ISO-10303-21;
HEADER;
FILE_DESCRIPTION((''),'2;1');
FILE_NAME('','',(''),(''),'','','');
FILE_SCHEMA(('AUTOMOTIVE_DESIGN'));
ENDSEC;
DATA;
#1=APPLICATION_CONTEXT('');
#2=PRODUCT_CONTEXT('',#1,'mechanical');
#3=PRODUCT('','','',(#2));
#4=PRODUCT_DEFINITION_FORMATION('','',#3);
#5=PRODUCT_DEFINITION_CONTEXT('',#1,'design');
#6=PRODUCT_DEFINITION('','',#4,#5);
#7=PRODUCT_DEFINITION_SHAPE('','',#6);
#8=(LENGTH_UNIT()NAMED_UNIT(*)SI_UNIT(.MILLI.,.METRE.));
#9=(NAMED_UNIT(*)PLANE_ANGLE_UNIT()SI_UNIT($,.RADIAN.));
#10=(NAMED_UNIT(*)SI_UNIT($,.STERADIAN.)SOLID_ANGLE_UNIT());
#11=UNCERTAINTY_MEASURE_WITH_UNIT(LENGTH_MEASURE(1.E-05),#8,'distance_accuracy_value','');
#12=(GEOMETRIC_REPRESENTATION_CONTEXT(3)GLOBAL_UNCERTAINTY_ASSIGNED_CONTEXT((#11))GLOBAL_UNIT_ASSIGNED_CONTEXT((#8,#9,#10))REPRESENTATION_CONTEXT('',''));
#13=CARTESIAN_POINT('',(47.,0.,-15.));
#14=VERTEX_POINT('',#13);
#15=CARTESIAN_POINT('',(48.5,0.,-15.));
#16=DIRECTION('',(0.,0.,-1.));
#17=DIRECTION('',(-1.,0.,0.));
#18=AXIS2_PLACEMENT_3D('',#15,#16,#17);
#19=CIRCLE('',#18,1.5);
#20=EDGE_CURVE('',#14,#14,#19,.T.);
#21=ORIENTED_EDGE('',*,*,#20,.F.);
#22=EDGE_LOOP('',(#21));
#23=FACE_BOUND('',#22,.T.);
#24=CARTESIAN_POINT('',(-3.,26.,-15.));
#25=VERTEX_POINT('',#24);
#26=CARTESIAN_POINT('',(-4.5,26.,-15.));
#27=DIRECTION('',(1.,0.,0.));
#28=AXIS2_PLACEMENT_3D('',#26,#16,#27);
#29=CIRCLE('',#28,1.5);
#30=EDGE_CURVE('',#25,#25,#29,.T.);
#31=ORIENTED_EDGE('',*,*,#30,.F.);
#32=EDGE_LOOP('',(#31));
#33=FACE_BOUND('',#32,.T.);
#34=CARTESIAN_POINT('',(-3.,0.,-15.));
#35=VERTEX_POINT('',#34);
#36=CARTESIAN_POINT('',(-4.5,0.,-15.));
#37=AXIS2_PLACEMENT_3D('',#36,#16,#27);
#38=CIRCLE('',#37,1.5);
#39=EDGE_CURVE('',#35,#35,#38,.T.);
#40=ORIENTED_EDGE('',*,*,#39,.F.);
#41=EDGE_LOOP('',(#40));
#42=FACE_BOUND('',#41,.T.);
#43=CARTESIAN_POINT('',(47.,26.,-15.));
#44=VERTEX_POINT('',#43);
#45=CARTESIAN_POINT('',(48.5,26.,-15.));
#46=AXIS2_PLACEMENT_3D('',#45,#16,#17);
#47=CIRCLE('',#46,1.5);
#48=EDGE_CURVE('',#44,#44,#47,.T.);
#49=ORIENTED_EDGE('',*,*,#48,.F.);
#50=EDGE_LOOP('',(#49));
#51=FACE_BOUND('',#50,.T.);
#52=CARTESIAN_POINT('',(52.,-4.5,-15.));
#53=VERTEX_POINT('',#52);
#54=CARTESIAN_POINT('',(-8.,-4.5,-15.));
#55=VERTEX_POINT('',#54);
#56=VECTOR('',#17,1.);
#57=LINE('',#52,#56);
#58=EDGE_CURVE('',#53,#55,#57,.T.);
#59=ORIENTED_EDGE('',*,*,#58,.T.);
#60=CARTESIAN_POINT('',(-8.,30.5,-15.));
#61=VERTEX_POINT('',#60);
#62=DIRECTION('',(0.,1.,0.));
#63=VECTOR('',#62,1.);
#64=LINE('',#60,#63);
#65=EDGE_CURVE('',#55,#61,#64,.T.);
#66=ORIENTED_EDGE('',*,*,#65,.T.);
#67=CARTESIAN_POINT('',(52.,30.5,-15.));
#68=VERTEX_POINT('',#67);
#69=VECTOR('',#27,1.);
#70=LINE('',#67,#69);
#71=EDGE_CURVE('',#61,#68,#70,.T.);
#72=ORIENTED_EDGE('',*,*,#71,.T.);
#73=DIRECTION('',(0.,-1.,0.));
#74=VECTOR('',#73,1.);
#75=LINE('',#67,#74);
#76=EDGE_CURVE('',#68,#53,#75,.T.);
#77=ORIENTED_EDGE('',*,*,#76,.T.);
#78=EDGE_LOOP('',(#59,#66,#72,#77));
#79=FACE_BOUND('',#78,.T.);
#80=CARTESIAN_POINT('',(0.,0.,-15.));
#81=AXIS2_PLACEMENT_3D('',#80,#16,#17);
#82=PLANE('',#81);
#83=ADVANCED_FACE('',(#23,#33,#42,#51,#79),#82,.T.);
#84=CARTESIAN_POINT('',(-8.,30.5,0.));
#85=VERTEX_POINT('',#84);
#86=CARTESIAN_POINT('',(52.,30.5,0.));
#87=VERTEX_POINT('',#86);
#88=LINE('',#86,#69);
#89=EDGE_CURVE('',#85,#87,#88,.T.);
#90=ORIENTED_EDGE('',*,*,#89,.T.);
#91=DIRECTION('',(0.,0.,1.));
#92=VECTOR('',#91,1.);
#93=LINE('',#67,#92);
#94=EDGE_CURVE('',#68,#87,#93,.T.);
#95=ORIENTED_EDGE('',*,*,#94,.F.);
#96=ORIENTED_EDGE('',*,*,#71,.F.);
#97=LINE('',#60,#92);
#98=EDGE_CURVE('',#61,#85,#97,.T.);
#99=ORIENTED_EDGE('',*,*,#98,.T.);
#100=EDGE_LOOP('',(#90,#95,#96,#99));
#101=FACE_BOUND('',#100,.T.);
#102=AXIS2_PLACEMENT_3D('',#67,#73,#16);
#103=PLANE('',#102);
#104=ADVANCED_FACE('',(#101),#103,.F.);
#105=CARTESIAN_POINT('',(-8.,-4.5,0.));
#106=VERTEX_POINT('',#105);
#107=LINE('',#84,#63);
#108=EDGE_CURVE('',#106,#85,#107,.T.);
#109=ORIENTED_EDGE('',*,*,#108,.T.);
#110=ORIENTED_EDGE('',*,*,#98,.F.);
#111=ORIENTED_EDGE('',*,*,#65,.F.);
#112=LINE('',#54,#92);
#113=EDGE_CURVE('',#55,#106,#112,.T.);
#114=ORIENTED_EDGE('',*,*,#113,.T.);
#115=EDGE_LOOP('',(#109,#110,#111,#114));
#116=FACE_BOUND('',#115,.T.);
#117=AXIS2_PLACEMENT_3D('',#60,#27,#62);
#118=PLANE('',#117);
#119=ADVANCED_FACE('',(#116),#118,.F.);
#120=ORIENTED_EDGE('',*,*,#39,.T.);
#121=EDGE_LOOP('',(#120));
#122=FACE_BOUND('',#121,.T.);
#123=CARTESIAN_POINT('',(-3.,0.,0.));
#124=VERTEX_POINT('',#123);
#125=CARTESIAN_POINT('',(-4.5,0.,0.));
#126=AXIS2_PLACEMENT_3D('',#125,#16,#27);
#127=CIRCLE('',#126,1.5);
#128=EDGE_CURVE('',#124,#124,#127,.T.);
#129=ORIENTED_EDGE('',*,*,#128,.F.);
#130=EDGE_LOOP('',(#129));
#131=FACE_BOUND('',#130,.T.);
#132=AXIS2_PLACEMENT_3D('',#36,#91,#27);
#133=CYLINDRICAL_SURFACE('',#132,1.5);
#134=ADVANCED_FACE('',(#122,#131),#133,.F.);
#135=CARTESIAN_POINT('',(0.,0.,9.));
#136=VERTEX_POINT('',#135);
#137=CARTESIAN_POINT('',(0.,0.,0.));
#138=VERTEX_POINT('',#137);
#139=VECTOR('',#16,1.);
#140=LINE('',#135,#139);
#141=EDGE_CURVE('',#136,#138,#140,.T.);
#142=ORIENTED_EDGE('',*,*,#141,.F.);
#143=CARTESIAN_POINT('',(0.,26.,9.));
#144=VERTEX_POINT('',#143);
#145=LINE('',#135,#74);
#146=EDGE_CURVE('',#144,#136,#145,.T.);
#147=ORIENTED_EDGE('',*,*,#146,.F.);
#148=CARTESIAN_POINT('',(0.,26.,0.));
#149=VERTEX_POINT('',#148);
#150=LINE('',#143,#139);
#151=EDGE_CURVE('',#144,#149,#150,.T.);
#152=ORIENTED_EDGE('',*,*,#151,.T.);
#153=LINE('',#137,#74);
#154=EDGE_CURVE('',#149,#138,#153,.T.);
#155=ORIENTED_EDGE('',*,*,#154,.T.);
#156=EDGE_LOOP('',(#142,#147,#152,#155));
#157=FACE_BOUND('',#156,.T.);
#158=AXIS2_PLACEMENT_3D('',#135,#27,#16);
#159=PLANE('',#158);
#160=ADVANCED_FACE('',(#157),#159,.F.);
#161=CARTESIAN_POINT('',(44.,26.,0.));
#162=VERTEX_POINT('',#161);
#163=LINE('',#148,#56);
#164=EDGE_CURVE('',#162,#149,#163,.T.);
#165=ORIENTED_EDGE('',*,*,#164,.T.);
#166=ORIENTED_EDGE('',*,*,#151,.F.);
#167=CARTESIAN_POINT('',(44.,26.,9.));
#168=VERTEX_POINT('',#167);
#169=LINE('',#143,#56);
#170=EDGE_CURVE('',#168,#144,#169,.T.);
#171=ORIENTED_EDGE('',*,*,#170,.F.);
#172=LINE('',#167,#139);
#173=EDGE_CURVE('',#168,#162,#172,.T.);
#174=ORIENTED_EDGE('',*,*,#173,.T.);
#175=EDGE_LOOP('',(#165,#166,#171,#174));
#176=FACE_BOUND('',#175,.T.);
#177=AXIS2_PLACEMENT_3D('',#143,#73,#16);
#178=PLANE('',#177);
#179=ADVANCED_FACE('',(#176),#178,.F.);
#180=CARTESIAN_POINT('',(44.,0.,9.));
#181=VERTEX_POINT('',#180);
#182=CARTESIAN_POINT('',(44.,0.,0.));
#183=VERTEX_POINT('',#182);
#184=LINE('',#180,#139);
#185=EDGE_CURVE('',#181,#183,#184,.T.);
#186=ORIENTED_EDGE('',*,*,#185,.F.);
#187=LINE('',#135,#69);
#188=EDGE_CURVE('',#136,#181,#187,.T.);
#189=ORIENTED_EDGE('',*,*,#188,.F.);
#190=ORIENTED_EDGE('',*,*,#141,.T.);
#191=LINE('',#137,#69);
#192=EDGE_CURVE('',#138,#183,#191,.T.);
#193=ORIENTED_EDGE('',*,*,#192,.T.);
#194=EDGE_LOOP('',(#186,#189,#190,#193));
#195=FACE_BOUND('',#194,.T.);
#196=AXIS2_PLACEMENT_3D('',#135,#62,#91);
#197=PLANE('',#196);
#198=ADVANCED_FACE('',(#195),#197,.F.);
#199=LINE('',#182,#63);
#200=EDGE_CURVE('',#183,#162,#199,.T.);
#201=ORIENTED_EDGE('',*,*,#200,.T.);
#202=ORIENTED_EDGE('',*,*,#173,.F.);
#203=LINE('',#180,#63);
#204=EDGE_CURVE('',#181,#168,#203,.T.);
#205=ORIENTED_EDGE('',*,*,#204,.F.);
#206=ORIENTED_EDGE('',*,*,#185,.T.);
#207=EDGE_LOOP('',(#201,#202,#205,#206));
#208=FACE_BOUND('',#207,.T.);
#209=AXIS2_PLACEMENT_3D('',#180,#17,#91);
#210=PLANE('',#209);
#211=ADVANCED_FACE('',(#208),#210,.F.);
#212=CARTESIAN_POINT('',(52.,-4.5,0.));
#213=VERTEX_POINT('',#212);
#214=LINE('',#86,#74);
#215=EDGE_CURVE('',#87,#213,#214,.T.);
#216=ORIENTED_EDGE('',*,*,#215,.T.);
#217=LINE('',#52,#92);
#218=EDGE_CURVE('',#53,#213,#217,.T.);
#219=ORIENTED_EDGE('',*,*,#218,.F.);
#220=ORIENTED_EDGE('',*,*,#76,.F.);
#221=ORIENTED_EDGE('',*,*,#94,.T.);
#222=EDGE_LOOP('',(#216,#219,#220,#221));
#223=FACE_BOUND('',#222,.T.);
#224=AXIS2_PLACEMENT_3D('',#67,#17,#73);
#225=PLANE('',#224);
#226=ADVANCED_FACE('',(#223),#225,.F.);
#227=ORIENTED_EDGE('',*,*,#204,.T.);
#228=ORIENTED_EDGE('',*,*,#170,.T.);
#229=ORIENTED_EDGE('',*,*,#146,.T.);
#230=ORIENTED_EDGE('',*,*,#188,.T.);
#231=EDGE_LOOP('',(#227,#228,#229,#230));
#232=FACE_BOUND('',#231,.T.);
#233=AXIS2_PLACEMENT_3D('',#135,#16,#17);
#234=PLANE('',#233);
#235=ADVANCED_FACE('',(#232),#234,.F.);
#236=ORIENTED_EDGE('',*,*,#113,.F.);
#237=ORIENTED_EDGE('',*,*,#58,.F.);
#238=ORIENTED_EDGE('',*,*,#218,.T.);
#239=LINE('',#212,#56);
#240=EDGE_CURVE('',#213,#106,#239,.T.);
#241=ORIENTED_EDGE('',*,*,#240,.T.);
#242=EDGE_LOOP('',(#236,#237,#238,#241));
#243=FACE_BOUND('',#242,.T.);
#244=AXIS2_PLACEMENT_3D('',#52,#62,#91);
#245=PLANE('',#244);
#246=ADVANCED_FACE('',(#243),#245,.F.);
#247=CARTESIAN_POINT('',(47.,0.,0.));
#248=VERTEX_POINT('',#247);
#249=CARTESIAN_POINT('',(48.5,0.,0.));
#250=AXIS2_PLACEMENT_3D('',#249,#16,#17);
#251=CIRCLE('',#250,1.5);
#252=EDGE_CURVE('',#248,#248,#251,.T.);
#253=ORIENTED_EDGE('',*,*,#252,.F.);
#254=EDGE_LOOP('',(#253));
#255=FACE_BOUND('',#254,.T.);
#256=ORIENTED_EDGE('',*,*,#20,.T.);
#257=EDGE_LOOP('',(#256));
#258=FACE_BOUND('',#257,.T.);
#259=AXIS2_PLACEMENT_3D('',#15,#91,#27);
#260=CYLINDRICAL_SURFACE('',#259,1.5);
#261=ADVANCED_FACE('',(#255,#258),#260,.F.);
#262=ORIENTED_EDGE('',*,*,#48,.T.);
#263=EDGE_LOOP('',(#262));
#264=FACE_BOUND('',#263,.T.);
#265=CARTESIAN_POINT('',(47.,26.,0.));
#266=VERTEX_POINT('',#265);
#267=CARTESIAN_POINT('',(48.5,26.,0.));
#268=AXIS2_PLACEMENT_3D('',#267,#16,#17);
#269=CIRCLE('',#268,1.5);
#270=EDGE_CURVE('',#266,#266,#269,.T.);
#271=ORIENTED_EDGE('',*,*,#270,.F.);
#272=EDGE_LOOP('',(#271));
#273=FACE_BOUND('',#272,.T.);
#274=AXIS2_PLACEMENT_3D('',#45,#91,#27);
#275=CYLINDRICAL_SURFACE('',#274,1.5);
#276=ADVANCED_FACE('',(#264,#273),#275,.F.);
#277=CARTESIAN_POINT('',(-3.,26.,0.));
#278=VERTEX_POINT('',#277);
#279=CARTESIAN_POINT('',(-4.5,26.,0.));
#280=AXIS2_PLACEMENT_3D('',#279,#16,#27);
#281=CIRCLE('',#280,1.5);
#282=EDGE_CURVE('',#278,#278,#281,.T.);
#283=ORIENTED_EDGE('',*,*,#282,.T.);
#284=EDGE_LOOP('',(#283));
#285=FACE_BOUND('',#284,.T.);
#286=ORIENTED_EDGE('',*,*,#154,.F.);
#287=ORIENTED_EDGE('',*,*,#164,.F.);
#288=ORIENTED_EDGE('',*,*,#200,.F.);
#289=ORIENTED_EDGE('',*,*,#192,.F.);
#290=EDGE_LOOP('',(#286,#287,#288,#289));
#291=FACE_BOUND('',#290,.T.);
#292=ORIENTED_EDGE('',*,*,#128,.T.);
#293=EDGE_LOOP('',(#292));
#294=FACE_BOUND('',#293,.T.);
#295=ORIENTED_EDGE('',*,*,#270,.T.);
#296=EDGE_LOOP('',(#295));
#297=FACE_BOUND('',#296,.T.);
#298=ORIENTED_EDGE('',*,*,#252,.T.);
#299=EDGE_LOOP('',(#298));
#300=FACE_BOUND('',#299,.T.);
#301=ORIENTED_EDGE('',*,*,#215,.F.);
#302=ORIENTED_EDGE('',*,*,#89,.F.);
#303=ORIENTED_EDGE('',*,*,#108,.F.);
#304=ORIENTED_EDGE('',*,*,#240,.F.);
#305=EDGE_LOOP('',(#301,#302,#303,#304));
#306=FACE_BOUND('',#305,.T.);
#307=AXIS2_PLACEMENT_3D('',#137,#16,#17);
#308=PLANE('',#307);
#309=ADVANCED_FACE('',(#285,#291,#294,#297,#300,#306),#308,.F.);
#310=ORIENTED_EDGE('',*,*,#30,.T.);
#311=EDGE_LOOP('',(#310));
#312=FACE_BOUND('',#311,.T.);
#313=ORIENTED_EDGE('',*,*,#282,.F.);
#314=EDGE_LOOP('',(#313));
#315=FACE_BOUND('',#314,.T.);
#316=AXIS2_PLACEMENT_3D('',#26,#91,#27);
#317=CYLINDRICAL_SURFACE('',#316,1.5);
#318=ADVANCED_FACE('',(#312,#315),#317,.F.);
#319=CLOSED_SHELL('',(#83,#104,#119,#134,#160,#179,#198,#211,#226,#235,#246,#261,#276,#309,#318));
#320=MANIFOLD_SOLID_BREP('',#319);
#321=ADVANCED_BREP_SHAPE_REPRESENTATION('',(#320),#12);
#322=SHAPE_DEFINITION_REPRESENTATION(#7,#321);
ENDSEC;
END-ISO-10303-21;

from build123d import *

# Parameters (mm, degrees)
CROQUIS1_W              = 44
CROQUIS1_H              = 26
SALIENTE_EXTRUIR1_DEPTH = 9
CROQUIS2_W              = 60
CROQUIS2_H              = 35
CROQUIS2_R              = 1.5
SALIENTE_EXTRUIR2_DEPTH = 15


with BuildPart() as part:
    # Croquis1 → Saliente-Extruir1 (new body)
    with BuildSketch(Plane.XY):
        with Locations((22, 13)):
            Rectangle(CROQUIS1_W, CROQUIS1_H)
    extrude(amount=SALIENTE_EXTRUIR1_DEPTH)

    # Croquis2 → Saliente-Extruir2 (add)
    with BuildSketch(Plane(origin=(0, 0, 0), x_dir=(-1, 0, 0), z_dir=(0, 0, -1))):
        with Locations((-22, 13)):
            Rectangle(CROQUIS2_W, CROQUIS2_H)
        with Locations((-48.5, 26)):
            Circle(CROQUIS2_R, mode=Mode.SUBTRACT)
        with Locations((4.5, 26)):
            Circle(CROQUIS2_R, mode=Mode.SUBTRACT)
        with Locations((-48.5, 0)):
            Circle(CROQUIS2_R, mode=Mode.SUBTRACT)
        with Locations((4.5, 0)):
            Circle(CROQUIS2_R, mode=Mode.SUBTRACT)
    extrude(amount=SALIENTE_EXTRUIR2_DEPTH)


solid = part.part
